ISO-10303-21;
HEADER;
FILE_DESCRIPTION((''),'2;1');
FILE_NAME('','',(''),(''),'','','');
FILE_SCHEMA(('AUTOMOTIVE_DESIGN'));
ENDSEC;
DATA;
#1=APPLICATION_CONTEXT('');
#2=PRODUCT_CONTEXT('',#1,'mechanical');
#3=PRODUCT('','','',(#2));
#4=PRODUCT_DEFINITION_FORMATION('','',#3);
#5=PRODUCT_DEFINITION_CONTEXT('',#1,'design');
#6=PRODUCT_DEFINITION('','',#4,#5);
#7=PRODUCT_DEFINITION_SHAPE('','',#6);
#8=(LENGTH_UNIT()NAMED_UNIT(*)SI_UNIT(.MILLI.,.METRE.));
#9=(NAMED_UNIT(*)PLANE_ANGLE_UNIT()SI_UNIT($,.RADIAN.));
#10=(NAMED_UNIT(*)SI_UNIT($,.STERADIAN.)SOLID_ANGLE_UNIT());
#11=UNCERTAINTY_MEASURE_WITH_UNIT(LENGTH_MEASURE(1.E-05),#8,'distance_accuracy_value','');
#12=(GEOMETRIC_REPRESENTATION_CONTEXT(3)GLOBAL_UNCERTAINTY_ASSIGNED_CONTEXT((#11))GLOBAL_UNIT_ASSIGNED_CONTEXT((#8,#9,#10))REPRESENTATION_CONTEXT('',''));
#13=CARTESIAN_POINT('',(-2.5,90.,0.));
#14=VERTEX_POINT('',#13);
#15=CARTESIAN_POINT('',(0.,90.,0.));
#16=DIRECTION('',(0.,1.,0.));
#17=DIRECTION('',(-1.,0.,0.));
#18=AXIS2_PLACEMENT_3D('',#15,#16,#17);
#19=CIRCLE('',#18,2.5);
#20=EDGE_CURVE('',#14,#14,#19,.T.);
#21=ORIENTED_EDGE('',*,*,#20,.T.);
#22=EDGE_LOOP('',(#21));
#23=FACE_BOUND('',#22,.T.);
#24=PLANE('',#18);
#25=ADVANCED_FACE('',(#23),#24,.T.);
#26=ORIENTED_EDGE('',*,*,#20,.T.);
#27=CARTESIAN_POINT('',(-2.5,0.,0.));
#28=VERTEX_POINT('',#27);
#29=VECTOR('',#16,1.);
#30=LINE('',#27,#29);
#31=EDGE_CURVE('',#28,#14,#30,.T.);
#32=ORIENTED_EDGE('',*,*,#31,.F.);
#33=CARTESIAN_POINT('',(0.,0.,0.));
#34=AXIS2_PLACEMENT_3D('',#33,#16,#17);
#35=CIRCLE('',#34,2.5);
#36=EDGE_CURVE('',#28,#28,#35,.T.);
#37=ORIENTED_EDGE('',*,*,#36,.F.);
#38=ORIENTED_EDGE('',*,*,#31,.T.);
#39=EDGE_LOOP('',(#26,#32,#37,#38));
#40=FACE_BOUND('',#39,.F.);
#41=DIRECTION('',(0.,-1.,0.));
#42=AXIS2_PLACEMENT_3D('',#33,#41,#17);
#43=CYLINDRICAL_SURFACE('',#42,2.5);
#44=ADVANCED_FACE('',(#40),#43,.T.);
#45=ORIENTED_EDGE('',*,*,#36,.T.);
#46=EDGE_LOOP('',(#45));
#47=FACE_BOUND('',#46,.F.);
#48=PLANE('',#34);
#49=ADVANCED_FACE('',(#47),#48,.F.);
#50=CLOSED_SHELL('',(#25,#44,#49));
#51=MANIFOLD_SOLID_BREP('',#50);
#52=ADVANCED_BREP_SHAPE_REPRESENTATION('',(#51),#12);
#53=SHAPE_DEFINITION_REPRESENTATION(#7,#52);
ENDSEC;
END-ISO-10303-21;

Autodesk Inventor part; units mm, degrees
ref_plane "YZ Plane" through (0, 0, 0) normal (1, 0, 0) x (0, 1, 0)
ref_plane "XZ Plane" through (0, 0, 0) normal (0, 1, 0) x (-1, 0, 0)
ref_plane "XY Plane" through (0, 0, 0) normal (0, 0, 1) x (1, 0, 0)
sketch "Esboço1" plane through (0, 0, 0) normal (0, 1, 0) x (-1, 0, 0)
  circle A0 centre (0, 0) radius 2.5
  dimension "d0" = 5
extrude "Extrusão1" add sketch "Esboço1" along normal blind 90
properties part number "Eixo"
